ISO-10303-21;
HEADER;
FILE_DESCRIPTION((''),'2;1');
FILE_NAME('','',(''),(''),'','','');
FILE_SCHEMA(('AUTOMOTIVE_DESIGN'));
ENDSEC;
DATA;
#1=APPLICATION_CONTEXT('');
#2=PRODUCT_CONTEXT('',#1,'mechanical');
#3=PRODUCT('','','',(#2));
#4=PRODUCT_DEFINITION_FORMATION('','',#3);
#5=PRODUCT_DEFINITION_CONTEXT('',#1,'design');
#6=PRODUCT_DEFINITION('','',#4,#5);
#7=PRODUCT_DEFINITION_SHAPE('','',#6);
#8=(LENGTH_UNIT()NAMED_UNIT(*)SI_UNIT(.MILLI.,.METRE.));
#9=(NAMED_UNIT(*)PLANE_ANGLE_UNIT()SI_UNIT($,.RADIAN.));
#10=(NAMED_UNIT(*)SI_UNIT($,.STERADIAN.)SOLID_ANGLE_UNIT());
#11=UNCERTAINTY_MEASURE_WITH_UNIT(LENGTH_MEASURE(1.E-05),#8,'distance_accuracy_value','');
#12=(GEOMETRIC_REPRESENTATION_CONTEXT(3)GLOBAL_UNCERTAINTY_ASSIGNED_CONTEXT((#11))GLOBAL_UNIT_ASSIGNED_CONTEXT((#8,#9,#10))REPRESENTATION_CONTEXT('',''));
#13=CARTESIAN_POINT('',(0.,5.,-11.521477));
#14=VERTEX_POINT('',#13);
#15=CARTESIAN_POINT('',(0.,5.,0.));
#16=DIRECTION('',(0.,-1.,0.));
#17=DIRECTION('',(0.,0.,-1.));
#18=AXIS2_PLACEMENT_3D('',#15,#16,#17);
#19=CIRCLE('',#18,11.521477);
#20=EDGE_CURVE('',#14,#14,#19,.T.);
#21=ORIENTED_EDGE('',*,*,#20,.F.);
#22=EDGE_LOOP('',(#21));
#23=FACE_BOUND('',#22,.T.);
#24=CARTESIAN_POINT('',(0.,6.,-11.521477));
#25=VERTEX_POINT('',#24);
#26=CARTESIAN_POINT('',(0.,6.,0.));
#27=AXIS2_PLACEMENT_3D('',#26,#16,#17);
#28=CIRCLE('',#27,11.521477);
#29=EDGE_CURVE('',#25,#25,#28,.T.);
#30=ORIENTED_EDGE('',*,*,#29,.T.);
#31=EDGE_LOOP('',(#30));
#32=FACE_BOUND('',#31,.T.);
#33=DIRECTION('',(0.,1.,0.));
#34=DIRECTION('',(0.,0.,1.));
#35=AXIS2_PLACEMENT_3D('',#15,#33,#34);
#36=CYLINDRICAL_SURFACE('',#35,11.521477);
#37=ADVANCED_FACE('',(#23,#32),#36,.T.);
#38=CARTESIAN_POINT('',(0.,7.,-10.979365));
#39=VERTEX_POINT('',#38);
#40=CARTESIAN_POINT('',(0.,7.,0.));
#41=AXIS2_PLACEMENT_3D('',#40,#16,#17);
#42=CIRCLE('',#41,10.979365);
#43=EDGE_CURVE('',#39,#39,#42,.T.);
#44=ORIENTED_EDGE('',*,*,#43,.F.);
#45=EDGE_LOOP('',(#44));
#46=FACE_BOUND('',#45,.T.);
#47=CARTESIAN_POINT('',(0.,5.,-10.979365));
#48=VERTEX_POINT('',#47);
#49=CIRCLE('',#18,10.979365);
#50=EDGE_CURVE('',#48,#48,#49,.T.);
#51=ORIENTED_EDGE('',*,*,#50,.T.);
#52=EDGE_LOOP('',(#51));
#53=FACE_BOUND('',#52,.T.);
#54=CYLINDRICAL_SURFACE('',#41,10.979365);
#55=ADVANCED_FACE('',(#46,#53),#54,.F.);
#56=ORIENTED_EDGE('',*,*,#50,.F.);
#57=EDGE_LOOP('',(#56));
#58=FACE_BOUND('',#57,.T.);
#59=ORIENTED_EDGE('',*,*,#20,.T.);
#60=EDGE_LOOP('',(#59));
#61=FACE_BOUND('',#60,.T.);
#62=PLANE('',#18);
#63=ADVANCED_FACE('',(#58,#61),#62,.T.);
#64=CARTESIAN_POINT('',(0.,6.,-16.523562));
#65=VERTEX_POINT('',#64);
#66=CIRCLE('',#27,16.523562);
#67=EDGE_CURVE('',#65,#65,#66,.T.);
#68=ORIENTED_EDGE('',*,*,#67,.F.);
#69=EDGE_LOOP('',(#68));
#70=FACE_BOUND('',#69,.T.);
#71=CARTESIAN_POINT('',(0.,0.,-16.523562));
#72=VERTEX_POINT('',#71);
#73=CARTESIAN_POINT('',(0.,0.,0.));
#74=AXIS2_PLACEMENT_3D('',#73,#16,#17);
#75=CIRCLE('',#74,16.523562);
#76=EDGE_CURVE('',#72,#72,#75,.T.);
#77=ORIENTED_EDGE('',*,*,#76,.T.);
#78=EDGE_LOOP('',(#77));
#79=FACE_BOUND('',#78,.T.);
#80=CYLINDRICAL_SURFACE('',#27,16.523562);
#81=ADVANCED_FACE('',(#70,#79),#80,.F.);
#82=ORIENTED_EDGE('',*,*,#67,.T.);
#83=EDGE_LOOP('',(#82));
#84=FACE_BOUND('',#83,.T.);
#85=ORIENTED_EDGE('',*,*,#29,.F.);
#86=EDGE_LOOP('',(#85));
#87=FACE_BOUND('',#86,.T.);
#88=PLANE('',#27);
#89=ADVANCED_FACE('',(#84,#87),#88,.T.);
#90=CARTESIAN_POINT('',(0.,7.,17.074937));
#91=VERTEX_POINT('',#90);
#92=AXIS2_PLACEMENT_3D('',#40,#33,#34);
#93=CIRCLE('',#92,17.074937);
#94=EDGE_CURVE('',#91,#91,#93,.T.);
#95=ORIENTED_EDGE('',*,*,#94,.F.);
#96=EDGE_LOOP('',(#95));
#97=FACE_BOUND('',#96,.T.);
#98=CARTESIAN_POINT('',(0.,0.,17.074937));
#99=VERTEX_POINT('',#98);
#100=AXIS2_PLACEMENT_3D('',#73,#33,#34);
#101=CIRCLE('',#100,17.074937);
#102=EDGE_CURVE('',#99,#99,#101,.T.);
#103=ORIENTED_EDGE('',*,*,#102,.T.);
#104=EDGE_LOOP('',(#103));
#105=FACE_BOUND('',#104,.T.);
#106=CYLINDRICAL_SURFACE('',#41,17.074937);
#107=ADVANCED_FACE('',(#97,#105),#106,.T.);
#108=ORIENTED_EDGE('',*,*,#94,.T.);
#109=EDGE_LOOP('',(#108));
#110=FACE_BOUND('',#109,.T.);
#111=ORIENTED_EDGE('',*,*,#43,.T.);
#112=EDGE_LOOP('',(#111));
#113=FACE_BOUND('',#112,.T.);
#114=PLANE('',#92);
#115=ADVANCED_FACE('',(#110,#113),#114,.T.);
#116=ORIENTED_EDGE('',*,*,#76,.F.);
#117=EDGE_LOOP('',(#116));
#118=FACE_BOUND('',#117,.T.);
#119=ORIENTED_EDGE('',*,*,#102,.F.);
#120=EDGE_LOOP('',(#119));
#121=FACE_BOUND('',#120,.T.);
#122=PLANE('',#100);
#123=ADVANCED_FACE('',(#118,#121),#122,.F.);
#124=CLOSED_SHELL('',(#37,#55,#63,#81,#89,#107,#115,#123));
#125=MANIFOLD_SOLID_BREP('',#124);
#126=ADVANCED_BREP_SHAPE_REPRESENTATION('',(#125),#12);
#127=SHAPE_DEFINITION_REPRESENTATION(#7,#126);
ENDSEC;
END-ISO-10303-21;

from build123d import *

# Parameters (mm, degrees)
CROQUIS1_R              = 17.074936514
SALIENTE_EXTRUIR2_DEPTH = 7
CROQUIS3_R              = 10.273489903
CORTAR_EXTRUIR1_DEPTH   = 4
CROQUIS4_R              = 11.220368527
CORTAR_EXTRUIR2_DEPTH   = 2
CROQUIS5_R              = 10.546758953
CORTAR_EXTRUIR4_DEPTH   = 8
CROQUIS6_R              = 16.523562211
CORTAR_EXTRUIR6_DEPTH   = 6
CROQUIS9_R              = 10.979364786
CROQUIS9_R_2            = 10.546758953
CORTAR_EXTRUIR8_DEPTH   = 1
CROQUIS10_R             = 11.521476728
CROQUIS10_R_2           = 10.979364786
SALIENTE_EXTRUIR3_DEPTH = 1


with BuildPart() as part:
    # Croquis1 → Saliente-Extruir2 (new body)
    with BuildSketch(Plane(origin=(0, 0, 0), x_dir=(1, 0, 0), z_dir=(0, 1, 0))):
        Circle(CROQUIS1_R)
    extrude(amount=SALIENTE_EXTRUIR2_DEPTH)

    # Croquis3 → Cortar-Extruir1 (cut)
    with BuildSketch(Plane(origin=(0, 7, 0), x_dir=(1, 0, 0), z_dir=(0, 1, 0))):
        Circle(CROQUIS3_R)
    extrude(amount=-CORTAR_EXTRUIR1_DEPTH, mode=Mode.SUBTRACT)

    # Croquis4 → Cortar-Extruir2 (cut)
    with BuildSketch(Plane(origin=(0, 0, 0), x_dir=(1, 0, 0), z_dir=(0, 1, 0))):
        Circle(CROQUIS4_R)
    extrude(amount=CORTAR_EXTRUIR2_DEPTH, mode=Mode.SUBTRACT)

    # Croquis5 → Cortar-Extruir4 (cut, through all)
    with BuildSketch(Plane(origin=(0, 0, 0), x_dir=(1, 0, 0), z_dir=(0, 1, 0))):
        Circle(CROQUIS5_R)
    extrude(amount=CORTAR_EXTRUIR4_DEPTH, mode=Mode.SUBTRACT)

    # Croquis6 → Cortar-Extruir6 (cut)
    with BuildSketch(Plane.XZ):
        Circle(CROQUIS6_R)
    extrude(amount=-CORTAR_EXTRUIR6_DEPTH, mode=Mode.SUBTRACT)

    # Croquis9 → Cortar-Extruir8 (cut)
    with BuildSketch(Plane.XZ.offset(-6)):
        Circle(CROQUIS9_R)
        Circle(CROQUIS9_R_2, mode=Mode.SUBTRACT)
    extrude(amount=-CORTAR_EXTRUIR8_DEPTH, mode=Mode.SUBTRACT)

    # Croquis10 → Saliente-Extruir3 (add)
    with BuildSketch(Plane.XZ.offset(-6)):
        Circle(CROQUIS10_R)
        Circle(CROQUIS10_R_2, mode=Mode.SUBTRACT)
    extrude(amount=SALIENTE_EXTRUIR3_DEPTH)


solid = part.part
